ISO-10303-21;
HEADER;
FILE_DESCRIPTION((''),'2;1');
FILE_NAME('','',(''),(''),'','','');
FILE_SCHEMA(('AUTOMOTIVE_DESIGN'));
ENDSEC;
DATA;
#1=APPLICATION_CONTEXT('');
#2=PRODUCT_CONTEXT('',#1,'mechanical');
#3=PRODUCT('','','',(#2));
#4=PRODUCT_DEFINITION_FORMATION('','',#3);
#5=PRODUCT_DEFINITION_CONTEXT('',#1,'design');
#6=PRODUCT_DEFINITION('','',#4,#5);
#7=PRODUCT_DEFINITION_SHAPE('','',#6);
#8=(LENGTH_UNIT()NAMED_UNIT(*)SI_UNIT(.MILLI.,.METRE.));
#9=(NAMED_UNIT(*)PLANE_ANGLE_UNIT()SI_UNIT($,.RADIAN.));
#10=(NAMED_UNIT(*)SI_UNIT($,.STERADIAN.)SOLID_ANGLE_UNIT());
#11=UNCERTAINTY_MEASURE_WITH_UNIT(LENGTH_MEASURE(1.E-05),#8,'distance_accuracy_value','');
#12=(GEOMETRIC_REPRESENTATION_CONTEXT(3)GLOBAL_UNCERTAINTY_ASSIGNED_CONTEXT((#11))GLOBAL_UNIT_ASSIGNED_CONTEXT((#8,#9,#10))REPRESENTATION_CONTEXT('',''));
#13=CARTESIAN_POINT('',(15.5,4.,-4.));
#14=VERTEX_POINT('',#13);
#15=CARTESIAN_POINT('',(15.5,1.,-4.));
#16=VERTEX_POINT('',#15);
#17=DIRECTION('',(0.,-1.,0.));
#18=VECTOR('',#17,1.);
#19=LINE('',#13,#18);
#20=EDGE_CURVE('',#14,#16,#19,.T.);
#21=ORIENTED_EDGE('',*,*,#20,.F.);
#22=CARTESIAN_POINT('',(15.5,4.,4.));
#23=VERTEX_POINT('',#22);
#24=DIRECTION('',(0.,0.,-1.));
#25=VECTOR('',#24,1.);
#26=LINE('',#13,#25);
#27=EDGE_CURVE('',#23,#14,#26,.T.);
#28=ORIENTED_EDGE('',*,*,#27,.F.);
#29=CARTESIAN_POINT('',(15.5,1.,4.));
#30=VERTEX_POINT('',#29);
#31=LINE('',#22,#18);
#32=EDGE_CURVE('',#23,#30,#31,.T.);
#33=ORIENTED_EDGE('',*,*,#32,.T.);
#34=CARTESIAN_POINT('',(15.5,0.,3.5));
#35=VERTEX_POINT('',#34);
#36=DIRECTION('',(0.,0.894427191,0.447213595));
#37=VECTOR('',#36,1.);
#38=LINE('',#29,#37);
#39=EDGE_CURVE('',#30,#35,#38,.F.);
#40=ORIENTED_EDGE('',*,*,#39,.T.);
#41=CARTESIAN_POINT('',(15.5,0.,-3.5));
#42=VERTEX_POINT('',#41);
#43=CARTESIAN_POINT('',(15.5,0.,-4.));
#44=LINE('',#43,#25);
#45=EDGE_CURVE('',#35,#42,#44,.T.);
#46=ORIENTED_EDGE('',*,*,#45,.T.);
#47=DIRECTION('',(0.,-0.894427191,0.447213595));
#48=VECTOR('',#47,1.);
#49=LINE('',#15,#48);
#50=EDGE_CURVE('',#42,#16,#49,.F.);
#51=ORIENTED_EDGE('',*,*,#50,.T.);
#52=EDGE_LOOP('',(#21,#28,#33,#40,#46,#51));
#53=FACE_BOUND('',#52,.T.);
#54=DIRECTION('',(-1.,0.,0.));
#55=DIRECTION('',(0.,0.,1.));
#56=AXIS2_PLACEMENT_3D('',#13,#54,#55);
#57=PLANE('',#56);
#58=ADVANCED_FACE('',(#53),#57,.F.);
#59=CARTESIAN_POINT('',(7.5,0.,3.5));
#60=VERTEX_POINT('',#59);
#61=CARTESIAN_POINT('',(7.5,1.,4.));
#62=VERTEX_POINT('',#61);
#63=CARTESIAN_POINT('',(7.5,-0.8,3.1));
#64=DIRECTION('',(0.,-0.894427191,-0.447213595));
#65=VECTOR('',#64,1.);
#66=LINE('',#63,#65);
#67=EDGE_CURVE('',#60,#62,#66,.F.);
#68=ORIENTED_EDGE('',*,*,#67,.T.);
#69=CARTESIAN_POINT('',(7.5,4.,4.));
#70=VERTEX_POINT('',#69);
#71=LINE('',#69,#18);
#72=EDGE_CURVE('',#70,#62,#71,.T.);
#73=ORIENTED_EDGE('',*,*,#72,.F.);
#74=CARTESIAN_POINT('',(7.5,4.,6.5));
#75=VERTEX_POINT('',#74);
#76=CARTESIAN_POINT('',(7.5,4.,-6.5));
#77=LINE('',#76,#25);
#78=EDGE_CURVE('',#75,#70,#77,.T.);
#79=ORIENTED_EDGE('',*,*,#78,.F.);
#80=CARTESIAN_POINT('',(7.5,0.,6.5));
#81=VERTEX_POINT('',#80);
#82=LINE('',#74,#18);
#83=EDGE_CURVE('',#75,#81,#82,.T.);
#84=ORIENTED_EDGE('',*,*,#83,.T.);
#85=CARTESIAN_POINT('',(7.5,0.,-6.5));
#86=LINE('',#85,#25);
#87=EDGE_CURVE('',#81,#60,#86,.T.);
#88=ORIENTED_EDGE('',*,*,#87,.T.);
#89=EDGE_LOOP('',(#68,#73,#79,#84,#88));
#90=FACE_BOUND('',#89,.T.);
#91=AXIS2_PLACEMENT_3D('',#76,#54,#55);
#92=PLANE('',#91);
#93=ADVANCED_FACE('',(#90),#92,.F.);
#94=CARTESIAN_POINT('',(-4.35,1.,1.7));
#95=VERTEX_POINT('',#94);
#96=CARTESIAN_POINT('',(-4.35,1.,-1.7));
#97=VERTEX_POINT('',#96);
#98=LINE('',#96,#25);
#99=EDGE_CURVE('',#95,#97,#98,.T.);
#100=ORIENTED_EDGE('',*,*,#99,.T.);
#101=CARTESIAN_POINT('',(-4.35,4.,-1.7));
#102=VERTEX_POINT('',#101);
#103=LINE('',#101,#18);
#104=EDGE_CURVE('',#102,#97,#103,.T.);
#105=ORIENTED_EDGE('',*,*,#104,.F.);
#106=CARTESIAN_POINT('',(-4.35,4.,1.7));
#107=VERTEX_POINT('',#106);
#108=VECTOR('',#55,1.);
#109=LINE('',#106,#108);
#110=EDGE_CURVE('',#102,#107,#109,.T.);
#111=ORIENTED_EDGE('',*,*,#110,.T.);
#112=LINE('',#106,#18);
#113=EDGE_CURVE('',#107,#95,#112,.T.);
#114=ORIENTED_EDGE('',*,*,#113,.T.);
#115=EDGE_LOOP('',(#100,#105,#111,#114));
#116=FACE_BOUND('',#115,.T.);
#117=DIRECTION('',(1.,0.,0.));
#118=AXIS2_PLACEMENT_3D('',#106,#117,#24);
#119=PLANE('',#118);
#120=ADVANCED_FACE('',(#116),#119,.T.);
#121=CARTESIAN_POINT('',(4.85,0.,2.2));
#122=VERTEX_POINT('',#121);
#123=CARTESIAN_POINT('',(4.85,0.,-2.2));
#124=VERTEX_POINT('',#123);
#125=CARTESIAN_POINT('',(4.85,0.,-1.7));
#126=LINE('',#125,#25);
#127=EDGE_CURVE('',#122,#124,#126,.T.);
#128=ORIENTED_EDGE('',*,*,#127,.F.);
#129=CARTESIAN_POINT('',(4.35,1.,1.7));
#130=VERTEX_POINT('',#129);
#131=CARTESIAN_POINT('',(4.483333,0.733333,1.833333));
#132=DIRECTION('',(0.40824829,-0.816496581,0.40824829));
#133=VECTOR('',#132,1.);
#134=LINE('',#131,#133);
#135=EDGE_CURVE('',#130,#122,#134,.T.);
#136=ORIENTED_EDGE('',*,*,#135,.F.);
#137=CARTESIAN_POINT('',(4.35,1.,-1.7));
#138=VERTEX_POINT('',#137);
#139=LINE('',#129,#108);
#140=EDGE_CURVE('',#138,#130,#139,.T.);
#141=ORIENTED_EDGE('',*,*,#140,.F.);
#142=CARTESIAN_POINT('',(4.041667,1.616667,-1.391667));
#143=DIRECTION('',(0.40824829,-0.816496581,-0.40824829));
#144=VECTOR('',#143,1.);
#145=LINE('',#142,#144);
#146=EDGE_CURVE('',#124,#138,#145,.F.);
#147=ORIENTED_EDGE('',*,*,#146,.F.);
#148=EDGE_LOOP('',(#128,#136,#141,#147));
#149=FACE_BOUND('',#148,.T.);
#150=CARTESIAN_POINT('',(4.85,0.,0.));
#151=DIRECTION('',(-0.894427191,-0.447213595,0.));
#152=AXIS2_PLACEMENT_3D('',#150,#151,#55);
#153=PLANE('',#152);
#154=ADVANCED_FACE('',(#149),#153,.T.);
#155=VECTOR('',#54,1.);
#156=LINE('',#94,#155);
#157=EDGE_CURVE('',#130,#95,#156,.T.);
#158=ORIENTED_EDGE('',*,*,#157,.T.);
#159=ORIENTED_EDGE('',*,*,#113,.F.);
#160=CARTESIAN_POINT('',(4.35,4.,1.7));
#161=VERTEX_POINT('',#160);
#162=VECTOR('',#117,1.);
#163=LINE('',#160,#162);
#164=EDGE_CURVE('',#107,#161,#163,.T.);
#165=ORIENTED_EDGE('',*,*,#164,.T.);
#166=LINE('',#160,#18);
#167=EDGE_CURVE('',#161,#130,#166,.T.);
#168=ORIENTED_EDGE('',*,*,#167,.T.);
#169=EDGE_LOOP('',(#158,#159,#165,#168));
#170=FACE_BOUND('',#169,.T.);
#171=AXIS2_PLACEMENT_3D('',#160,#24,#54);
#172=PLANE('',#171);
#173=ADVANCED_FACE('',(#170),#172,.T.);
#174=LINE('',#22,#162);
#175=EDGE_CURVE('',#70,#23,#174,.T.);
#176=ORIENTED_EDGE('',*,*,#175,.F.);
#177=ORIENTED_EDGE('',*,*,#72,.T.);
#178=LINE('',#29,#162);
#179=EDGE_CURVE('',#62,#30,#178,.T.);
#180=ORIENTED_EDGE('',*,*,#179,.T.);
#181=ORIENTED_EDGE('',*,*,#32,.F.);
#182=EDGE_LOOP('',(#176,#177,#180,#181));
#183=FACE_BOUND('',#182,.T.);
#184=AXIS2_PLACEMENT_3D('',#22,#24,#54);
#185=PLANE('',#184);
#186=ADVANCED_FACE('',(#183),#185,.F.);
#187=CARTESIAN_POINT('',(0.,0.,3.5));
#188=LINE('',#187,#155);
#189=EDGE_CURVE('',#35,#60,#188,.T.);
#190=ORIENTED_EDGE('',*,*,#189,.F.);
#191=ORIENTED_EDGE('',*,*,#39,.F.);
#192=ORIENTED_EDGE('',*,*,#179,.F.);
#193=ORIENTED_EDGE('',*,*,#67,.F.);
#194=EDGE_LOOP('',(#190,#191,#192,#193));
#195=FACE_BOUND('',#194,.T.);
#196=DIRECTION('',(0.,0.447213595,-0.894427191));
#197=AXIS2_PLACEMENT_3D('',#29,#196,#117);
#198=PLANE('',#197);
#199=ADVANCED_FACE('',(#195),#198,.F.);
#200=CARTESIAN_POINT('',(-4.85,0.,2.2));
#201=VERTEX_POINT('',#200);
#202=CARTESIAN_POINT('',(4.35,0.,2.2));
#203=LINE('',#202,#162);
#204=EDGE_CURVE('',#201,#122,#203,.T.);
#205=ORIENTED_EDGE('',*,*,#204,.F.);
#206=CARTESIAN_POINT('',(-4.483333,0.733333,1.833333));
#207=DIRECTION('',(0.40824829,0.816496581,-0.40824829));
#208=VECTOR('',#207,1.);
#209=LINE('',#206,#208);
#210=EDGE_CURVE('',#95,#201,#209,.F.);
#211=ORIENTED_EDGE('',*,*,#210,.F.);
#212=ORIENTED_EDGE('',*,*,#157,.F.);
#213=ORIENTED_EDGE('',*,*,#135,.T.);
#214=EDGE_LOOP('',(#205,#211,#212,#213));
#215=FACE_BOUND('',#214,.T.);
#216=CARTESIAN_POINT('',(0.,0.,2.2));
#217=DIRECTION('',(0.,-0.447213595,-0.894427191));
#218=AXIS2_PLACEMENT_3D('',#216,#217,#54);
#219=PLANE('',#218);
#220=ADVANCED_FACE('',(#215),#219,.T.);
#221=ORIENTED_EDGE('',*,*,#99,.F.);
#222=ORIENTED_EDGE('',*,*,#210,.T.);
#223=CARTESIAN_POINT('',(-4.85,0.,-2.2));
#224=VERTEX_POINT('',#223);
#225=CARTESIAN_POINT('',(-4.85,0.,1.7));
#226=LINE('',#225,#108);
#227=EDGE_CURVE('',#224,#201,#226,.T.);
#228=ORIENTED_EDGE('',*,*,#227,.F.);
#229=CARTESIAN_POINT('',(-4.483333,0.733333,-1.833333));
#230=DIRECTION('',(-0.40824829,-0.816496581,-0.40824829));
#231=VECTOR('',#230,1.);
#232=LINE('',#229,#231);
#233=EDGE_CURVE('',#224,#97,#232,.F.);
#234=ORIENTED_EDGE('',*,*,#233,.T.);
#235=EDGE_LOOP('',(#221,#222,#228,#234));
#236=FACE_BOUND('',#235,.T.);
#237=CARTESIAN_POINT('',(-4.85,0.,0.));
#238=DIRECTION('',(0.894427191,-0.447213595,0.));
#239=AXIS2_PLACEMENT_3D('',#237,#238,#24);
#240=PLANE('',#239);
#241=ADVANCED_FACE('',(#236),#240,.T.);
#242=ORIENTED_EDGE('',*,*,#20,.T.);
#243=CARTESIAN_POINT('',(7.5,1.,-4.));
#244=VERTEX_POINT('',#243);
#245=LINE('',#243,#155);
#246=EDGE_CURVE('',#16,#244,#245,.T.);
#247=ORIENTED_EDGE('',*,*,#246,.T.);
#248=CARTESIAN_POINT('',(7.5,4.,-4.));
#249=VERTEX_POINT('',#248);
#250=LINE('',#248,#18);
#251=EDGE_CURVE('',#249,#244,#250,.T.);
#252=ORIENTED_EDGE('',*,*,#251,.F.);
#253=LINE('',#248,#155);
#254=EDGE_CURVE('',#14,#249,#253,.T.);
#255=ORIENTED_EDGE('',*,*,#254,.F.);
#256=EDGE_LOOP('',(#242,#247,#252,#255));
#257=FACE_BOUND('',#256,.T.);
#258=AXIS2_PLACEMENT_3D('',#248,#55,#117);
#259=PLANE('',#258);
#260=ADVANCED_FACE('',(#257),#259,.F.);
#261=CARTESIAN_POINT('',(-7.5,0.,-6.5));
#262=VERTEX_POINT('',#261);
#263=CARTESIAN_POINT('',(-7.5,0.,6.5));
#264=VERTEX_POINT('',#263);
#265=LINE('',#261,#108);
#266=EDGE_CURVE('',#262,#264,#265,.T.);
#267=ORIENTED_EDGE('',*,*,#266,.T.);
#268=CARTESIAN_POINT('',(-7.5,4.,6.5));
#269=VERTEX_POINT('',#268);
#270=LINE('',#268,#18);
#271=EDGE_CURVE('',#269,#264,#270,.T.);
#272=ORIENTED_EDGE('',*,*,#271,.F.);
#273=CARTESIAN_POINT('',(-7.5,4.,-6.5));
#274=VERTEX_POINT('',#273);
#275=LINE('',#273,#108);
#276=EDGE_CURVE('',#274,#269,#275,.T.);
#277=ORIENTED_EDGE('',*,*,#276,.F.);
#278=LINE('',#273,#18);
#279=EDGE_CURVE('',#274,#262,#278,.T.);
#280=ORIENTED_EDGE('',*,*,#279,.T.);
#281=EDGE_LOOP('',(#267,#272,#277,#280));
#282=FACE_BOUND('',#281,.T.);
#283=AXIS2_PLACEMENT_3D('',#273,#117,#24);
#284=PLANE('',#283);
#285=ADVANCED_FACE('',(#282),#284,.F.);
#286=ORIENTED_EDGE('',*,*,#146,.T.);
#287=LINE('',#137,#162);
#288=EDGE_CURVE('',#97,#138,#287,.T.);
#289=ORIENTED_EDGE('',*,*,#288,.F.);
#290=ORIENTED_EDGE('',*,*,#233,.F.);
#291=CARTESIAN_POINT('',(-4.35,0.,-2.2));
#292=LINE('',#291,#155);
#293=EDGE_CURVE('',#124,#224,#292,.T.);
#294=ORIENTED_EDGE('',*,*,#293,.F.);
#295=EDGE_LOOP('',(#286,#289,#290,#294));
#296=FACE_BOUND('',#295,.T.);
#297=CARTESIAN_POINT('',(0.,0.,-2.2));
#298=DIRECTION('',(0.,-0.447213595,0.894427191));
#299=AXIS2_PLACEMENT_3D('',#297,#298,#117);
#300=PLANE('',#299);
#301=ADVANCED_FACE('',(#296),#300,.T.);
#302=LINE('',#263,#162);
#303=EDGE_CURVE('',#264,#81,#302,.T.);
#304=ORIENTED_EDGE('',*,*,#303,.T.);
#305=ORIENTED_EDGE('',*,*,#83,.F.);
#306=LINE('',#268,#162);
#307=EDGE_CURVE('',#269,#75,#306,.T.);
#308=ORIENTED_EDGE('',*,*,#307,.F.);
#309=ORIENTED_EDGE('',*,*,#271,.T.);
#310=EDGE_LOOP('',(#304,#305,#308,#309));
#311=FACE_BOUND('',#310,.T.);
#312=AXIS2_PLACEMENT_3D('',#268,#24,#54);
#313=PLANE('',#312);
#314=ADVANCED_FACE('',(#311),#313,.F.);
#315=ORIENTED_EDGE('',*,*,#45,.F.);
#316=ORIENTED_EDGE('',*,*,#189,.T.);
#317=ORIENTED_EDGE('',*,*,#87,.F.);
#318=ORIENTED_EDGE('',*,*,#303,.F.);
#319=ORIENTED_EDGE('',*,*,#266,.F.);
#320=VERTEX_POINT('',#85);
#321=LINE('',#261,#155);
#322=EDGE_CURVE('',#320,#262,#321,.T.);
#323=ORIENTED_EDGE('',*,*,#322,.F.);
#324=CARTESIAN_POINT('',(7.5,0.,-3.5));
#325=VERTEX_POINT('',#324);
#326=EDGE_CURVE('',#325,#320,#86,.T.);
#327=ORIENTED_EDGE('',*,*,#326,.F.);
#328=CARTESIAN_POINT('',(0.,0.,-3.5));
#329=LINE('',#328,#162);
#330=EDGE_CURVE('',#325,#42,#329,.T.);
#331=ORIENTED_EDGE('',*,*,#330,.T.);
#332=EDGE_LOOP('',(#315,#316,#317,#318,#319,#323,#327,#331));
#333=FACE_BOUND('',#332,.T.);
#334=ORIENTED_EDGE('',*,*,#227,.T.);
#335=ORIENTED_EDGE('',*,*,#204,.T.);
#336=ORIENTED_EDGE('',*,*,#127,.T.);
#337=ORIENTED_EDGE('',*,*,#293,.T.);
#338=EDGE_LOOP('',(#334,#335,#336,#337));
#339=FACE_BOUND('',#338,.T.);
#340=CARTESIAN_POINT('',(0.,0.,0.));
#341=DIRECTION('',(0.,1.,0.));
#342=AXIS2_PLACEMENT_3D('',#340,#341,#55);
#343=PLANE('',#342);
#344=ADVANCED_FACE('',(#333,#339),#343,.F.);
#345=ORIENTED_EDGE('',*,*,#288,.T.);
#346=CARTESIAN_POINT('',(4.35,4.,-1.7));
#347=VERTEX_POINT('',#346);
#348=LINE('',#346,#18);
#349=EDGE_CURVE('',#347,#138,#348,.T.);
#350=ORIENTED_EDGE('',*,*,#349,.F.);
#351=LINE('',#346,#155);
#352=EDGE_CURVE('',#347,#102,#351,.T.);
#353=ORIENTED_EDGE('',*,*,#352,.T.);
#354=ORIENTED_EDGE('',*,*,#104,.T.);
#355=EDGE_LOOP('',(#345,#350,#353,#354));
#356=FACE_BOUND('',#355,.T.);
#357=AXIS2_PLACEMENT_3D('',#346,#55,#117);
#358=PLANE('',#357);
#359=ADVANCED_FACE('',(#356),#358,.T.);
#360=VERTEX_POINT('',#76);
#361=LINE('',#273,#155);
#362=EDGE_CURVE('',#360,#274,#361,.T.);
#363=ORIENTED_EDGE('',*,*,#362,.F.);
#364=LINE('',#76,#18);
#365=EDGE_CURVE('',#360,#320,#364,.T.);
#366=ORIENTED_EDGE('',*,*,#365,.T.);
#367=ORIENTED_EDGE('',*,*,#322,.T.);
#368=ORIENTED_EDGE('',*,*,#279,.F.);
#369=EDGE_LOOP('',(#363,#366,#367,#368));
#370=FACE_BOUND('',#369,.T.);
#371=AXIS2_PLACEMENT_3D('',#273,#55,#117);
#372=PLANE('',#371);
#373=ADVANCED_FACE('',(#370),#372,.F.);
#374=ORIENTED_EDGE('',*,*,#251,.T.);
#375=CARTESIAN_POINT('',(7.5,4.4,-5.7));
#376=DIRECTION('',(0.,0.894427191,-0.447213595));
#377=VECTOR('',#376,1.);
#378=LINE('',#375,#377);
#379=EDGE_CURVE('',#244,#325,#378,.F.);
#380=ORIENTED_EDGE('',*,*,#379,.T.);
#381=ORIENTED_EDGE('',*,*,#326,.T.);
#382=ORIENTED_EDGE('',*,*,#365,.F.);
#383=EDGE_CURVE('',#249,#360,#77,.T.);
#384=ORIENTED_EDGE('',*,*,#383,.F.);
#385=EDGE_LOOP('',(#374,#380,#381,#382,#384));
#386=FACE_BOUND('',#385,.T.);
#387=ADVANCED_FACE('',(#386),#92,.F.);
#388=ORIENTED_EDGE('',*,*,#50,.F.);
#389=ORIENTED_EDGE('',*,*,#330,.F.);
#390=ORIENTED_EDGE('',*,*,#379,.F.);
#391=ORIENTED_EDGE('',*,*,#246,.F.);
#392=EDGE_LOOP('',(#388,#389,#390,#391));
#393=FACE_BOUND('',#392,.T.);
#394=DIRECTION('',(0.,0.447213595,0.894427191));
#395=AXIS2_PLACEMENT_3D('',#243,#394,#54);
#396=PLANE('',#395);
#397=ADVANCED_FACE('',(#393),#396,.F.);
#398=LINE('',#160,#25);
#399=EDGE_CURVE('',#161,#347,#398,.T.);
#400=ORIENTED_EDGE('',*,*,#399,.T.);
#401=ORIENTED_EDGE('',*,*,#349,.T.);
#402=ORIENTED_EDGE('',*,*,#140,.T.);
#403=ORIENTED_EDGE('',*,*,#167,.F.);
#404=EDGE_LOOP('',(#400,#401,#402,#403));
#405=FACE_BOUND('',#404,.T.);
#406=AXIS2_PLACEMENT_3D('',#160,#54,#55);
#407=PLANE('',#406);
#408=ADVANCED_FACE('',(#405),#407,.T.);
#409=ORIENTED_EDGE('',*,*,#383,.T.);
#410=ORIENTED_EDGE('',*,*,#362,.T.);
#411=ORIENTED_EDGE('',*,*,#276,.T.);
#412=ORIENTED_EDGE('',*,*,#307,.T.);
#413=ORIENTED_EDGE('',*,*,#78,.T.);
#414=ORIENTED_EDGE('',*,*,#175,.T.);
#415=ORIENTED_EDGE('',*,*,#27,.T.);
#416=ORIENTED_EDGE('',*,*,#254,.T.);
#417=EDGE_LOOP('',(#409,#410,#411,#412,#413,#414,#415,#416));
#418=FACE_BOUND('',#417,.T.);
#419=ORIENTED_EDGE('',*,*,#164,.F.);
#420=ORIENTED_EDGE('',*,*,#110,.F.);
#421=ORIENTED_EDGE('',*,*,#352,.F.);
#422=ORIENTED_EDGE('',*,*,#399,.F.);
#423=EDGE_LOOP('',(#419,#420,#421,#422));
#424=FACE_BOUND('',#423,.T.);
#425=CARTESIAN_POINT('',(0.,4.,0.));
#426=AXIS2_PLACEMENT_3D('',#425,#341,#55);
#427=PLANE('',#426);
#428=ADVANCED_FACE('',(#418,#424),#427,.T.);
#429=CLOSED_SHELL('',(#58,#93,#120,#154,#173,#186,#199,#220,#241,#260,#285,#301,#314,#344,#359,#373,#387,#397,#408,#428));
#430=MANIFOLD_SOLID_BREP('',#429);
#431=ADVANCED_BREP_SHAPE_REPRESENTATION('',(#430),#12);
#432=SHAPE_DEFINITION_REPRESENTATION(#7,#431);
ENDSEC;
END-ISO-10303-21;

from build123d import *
from OCP.BRepFilletAPI import BRepFilletAPI_MakeChamfer

# Parameters (mm, degrees)
SKETCH1_W           = 15
SKETCH1_H           = 13
SKETCH1_W_2         = 8.7
SKETCH1_H_2         = 3.4
BOSS_EXTRUDE1_DEPTH = 4
SKETCH2_W           = 8
SKETCH2_H           = 8
BOSS_EXTRUDE3_DEPTH = 4
CHAMFER1_SIZE       = 1
CHAMFER1_SIZE2      = 0.5
CHAMFER2_SIZE       = 0.5
CHAMFER2_SIZE2      = 1


with BuildPart() as part:
    # Sketch1 → Boss-Extrude1 (new body)
    with BuildSketch(Plane(origin=(0, 0, 0), x_dir=(1, 0, 0), z_dir=(0, 1, 0))):
        Rectangle(SKETCH1_W, SKETCH1_H)
        Rectangle(SKETCH1_W_2, SKETCH1_H_2, mode=Mode.SUBTRACT)
    extrude(amount=BOSS_EXTRUDE1_DEPTH)

    # Sketch2 → Boss-Extrude3 (add)
    with BuildSketch(Plane(origin=(0, 0, 0), x_dir=(1, 0, 0), z_dir=(0, 1, 0))):
        with Locations((11.5, 0)):
            Rectangle(SKETCH2_W, SKETCH2_H)
    extrude(amount=BOSS_EXTRUDE3_DEPTH)

    # Chamfer1: one chamfer whose edges measure the first distance from different faces: ONE call of the kernel's chamfer builder (chamfer() names one face for all edges)
    chamfer1_edges_1 = [part.edges().sort_by_distance(p)[0] for p in [
        (4.35, 0, 0),
    ]]
    chamfer1_side_1 = [part.faces().sort_by_distance(p)[0] for p in [
        (4.35, 2, 0),
    ]]
    chamfer1_edges_2 = [part.edges().sort_by_distance(p)[0] for p in [
        (0, 0, -1.7),
    ]]
    chamfer1_side_2 = [part.faces().sort_by_distance(p)[0] for p in [
        (0, 2, -1.7),
    ]]
    chamfer1_edges_3 = [part.edges().sort_by_distance(p)[0] for p in [
        (-4.35, 0, 0),
    ]]
    chamfer1_side_3 = [part.faces().sort_by_distance(p)[0] for p in [
        (-4.35, 2, 0),
    ]]
    chamfer1_edges_4 = [part.edges().sort_by_distance(p)[0] for p in [
        (0, 0, 1.7),
    ]]
    chamfer1_side_4 = [part.faces().sort_by_distance(p)[0] for p in [
        (0, 2, 1.7),
    ]]
    chamfer1 = BRepFilletAPI_MakeChamfer(part.part.solid().wrapped)
    for e in chamfer1_edges_1:
        chamfer1.Add(CHAMFER1_SIZE, CHAMFER1_SIZE2, e.wrapped, chamfer1_side_1[0].wrapped)  # the first distance lies on this face
    for e in chamfer1_edges_2:
        chamfer1.Add(CHAMFER1_SIZE, CHAMFER1_SIZE2, e.wrapped, chamfer1_side_2[0].wrapped)  # the first distance lies on this face
    for e in chamfer1_edges_3:
        chamfer1.Add(CHAMFER1_SIZE, CHAMFER1_SIZE2, e.wrapped, chamfer1_side_3[0].wrapped)  # the first distance lies on this face
    for e in chamfer1_edges_4:
        chamfer1.Add(CHAMFER1_SIZE, CHAMFER1_SIZE2, e.wrapped, chamfer1_side_4[0].wrapped)  # the first distance lies on this face
    add(Compound.cast(chamfer1.Shape()), mode=Mode.REPLACE)

    # Chamfer2
    chamfer2_edges = [part.edges().sort_by_distance(p)[0] for p in [
        (11.5, 0, 4),
        (11.5, 0, -4),
    ]]
    chamfer2_side = [part.faces().sort_by_distance(p)[0] for p in [
        (5.114196896, 0, 0),
    ]]
    chamfer(chamfer2_edges, length=CHAMFER2_SIZE, length2=CHAMFER2_SIZE2, reference=chamfer2_side[0])


solid = part.part
